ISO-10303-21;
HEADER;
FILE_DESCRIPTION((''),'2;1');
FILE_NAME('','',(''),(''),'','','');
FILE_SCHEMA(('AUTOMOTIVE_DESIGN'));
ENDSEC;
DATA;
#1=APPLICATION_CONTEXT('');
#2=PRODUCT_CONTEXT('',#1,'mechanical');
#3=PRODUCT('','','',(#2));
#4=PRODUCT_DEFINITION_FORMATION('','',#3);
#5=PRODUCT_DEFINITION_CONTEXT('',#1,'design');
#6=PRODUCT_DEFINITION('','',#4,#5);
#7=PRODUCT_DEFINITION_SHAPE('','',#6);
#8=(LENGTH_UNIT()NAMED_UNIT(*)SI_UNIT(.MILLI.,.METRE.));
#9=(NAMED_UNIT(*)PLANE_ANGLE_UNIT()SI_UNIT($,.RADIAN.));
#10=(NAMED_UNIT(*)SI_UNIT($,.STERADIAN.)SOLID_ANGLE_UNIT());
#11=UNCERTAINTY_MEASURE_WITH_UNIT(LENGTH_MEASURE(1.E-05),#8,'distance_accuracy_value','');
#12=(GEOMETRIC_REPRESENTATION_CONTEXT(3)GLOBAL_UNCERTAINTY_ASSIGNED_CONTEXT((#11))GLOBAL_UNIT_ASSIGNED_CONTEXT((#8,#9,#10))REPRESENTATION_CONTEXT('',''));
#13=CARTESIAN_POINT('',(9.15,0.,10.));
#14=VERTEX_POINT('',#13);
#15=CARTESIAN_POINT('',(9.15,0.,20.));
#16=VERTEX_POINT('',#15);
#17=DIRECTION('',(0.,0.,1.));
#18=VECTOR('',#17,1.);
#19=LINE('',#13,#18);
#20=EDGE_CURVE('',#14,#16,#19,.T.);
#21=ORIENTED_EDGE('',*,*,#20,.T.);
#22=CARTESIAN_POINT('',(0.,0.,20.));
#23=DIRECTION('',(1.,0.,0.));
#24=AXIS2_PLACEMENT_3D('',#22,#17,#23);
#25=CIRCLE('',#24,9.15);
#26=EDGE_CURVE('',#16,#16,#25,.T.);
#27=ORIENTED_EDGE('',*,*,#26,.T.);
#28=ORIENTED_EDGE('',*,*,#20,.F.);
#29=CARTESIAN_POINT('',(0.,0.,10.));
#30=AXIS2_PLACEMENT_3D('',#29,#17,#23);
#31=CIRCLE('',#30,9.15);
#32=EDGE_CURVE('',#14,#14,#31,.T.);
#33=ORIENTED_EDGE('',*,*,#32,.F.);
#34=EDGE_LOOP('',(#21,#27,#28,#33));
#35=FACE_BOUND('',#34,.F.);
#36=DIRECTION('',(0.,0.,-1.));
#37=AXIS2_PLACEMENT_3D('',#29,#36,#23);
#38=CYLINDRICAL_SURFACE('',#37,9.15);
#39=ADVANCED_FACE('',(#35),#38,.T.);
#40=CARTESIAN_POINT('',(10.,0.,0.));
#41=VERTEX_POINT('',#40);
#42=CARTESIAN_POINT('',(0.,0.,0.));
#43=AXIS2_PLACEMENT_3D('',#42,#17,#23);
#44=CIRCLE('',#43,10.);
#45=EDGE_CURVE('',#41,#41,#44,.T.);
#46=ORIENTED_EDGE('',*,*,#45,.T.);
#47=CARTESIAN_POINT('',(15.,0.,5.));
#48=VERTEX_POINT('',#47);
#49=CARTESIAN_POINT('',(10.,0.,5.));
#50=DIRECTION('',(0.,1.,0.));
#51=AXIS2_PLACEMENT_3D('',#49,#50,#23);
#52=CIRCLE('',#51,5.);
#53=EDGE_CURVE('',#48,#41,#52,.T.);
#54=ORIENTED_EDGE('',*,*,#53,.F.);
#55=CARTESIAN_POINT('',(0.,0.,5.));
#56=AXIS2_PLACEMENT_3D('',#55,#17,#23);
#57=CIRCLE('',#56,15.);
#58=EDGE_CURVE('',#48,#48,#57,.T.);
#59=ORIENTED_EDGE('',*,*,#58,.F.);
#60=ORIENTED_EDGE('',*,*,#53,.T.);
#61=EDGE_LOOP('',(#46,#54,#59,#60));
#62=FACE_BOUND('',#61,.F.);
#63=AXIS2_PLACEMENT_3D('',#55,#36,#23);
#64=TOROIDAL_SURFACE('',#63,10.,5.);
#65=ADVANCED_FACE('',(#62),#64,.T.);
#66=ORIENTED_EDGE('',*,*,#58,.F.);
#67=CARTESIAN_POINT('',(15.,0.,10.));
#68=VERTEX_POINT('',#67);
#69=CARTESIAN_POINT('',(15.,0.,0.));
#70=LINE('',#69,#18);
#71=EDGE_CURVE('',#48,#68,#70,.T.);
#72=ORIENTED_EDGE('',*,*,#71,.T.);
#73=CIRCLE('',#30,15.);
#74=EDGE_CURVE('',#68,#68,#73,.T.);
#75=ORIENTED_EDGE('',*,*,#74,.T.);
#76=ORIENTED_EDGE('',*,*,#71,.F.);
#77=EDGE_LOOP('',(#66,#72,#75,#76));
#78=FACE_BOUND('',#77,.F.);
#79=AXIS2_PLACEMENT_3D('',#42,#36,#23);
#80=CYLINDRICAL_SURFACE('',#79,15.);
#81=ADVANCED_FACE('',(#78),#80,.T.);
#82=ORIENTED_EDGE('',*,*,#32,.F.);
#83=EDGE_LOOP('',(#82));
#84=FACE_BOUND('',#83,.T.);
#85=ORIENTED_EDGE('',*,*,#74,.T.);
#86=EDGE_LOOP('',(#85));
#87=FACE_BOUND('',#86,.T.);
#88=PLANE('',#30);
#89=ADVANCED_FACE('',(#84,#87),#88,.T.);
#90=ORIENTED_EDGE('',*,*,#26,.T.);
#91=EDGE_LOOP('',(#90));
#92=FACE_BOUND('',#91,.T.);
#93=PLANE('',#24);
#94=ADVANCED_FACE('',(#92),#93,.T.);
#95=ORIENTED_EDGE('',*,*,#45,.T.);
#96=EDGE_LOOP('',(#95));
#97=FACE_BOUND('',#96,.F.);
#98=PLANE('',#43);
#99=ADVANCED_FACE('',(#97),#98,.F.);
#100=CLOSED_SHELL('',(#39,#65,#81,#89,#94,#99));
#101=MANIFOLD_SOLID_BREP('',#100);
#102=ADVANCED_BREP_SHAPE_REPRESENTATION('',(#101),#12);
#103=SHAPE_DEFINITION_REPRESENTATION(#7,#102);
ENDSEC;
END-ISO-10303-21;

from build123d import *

# Parameters (mm, degrees)
F0_R     = 15
F1_DEPTH = 10
F3_R     = 9.15
F4_DEPTH = 10
F5_R     = 5


with BuildPart() as f1:
    # F0 (on Top) → F1 (new body)
    with BuildSketch(Plane.XY):
        Circle(F0_R)
    extrude(amount=F1_DEPTH)

    # F3 (on offset) → F4 (join)
    with BuildSketch(Plane.XY.offset(10)):
        Circle(F3_R)
    extrude(amount=F4_DEPTH)

    # F5
    f5_edges = [f1.edges().sort_by_distance(p)[0] for p in [
        (-15, 0, 0),
    ]]
    fillet(f5_edges, radius=F5_R)


solid = f1.part
